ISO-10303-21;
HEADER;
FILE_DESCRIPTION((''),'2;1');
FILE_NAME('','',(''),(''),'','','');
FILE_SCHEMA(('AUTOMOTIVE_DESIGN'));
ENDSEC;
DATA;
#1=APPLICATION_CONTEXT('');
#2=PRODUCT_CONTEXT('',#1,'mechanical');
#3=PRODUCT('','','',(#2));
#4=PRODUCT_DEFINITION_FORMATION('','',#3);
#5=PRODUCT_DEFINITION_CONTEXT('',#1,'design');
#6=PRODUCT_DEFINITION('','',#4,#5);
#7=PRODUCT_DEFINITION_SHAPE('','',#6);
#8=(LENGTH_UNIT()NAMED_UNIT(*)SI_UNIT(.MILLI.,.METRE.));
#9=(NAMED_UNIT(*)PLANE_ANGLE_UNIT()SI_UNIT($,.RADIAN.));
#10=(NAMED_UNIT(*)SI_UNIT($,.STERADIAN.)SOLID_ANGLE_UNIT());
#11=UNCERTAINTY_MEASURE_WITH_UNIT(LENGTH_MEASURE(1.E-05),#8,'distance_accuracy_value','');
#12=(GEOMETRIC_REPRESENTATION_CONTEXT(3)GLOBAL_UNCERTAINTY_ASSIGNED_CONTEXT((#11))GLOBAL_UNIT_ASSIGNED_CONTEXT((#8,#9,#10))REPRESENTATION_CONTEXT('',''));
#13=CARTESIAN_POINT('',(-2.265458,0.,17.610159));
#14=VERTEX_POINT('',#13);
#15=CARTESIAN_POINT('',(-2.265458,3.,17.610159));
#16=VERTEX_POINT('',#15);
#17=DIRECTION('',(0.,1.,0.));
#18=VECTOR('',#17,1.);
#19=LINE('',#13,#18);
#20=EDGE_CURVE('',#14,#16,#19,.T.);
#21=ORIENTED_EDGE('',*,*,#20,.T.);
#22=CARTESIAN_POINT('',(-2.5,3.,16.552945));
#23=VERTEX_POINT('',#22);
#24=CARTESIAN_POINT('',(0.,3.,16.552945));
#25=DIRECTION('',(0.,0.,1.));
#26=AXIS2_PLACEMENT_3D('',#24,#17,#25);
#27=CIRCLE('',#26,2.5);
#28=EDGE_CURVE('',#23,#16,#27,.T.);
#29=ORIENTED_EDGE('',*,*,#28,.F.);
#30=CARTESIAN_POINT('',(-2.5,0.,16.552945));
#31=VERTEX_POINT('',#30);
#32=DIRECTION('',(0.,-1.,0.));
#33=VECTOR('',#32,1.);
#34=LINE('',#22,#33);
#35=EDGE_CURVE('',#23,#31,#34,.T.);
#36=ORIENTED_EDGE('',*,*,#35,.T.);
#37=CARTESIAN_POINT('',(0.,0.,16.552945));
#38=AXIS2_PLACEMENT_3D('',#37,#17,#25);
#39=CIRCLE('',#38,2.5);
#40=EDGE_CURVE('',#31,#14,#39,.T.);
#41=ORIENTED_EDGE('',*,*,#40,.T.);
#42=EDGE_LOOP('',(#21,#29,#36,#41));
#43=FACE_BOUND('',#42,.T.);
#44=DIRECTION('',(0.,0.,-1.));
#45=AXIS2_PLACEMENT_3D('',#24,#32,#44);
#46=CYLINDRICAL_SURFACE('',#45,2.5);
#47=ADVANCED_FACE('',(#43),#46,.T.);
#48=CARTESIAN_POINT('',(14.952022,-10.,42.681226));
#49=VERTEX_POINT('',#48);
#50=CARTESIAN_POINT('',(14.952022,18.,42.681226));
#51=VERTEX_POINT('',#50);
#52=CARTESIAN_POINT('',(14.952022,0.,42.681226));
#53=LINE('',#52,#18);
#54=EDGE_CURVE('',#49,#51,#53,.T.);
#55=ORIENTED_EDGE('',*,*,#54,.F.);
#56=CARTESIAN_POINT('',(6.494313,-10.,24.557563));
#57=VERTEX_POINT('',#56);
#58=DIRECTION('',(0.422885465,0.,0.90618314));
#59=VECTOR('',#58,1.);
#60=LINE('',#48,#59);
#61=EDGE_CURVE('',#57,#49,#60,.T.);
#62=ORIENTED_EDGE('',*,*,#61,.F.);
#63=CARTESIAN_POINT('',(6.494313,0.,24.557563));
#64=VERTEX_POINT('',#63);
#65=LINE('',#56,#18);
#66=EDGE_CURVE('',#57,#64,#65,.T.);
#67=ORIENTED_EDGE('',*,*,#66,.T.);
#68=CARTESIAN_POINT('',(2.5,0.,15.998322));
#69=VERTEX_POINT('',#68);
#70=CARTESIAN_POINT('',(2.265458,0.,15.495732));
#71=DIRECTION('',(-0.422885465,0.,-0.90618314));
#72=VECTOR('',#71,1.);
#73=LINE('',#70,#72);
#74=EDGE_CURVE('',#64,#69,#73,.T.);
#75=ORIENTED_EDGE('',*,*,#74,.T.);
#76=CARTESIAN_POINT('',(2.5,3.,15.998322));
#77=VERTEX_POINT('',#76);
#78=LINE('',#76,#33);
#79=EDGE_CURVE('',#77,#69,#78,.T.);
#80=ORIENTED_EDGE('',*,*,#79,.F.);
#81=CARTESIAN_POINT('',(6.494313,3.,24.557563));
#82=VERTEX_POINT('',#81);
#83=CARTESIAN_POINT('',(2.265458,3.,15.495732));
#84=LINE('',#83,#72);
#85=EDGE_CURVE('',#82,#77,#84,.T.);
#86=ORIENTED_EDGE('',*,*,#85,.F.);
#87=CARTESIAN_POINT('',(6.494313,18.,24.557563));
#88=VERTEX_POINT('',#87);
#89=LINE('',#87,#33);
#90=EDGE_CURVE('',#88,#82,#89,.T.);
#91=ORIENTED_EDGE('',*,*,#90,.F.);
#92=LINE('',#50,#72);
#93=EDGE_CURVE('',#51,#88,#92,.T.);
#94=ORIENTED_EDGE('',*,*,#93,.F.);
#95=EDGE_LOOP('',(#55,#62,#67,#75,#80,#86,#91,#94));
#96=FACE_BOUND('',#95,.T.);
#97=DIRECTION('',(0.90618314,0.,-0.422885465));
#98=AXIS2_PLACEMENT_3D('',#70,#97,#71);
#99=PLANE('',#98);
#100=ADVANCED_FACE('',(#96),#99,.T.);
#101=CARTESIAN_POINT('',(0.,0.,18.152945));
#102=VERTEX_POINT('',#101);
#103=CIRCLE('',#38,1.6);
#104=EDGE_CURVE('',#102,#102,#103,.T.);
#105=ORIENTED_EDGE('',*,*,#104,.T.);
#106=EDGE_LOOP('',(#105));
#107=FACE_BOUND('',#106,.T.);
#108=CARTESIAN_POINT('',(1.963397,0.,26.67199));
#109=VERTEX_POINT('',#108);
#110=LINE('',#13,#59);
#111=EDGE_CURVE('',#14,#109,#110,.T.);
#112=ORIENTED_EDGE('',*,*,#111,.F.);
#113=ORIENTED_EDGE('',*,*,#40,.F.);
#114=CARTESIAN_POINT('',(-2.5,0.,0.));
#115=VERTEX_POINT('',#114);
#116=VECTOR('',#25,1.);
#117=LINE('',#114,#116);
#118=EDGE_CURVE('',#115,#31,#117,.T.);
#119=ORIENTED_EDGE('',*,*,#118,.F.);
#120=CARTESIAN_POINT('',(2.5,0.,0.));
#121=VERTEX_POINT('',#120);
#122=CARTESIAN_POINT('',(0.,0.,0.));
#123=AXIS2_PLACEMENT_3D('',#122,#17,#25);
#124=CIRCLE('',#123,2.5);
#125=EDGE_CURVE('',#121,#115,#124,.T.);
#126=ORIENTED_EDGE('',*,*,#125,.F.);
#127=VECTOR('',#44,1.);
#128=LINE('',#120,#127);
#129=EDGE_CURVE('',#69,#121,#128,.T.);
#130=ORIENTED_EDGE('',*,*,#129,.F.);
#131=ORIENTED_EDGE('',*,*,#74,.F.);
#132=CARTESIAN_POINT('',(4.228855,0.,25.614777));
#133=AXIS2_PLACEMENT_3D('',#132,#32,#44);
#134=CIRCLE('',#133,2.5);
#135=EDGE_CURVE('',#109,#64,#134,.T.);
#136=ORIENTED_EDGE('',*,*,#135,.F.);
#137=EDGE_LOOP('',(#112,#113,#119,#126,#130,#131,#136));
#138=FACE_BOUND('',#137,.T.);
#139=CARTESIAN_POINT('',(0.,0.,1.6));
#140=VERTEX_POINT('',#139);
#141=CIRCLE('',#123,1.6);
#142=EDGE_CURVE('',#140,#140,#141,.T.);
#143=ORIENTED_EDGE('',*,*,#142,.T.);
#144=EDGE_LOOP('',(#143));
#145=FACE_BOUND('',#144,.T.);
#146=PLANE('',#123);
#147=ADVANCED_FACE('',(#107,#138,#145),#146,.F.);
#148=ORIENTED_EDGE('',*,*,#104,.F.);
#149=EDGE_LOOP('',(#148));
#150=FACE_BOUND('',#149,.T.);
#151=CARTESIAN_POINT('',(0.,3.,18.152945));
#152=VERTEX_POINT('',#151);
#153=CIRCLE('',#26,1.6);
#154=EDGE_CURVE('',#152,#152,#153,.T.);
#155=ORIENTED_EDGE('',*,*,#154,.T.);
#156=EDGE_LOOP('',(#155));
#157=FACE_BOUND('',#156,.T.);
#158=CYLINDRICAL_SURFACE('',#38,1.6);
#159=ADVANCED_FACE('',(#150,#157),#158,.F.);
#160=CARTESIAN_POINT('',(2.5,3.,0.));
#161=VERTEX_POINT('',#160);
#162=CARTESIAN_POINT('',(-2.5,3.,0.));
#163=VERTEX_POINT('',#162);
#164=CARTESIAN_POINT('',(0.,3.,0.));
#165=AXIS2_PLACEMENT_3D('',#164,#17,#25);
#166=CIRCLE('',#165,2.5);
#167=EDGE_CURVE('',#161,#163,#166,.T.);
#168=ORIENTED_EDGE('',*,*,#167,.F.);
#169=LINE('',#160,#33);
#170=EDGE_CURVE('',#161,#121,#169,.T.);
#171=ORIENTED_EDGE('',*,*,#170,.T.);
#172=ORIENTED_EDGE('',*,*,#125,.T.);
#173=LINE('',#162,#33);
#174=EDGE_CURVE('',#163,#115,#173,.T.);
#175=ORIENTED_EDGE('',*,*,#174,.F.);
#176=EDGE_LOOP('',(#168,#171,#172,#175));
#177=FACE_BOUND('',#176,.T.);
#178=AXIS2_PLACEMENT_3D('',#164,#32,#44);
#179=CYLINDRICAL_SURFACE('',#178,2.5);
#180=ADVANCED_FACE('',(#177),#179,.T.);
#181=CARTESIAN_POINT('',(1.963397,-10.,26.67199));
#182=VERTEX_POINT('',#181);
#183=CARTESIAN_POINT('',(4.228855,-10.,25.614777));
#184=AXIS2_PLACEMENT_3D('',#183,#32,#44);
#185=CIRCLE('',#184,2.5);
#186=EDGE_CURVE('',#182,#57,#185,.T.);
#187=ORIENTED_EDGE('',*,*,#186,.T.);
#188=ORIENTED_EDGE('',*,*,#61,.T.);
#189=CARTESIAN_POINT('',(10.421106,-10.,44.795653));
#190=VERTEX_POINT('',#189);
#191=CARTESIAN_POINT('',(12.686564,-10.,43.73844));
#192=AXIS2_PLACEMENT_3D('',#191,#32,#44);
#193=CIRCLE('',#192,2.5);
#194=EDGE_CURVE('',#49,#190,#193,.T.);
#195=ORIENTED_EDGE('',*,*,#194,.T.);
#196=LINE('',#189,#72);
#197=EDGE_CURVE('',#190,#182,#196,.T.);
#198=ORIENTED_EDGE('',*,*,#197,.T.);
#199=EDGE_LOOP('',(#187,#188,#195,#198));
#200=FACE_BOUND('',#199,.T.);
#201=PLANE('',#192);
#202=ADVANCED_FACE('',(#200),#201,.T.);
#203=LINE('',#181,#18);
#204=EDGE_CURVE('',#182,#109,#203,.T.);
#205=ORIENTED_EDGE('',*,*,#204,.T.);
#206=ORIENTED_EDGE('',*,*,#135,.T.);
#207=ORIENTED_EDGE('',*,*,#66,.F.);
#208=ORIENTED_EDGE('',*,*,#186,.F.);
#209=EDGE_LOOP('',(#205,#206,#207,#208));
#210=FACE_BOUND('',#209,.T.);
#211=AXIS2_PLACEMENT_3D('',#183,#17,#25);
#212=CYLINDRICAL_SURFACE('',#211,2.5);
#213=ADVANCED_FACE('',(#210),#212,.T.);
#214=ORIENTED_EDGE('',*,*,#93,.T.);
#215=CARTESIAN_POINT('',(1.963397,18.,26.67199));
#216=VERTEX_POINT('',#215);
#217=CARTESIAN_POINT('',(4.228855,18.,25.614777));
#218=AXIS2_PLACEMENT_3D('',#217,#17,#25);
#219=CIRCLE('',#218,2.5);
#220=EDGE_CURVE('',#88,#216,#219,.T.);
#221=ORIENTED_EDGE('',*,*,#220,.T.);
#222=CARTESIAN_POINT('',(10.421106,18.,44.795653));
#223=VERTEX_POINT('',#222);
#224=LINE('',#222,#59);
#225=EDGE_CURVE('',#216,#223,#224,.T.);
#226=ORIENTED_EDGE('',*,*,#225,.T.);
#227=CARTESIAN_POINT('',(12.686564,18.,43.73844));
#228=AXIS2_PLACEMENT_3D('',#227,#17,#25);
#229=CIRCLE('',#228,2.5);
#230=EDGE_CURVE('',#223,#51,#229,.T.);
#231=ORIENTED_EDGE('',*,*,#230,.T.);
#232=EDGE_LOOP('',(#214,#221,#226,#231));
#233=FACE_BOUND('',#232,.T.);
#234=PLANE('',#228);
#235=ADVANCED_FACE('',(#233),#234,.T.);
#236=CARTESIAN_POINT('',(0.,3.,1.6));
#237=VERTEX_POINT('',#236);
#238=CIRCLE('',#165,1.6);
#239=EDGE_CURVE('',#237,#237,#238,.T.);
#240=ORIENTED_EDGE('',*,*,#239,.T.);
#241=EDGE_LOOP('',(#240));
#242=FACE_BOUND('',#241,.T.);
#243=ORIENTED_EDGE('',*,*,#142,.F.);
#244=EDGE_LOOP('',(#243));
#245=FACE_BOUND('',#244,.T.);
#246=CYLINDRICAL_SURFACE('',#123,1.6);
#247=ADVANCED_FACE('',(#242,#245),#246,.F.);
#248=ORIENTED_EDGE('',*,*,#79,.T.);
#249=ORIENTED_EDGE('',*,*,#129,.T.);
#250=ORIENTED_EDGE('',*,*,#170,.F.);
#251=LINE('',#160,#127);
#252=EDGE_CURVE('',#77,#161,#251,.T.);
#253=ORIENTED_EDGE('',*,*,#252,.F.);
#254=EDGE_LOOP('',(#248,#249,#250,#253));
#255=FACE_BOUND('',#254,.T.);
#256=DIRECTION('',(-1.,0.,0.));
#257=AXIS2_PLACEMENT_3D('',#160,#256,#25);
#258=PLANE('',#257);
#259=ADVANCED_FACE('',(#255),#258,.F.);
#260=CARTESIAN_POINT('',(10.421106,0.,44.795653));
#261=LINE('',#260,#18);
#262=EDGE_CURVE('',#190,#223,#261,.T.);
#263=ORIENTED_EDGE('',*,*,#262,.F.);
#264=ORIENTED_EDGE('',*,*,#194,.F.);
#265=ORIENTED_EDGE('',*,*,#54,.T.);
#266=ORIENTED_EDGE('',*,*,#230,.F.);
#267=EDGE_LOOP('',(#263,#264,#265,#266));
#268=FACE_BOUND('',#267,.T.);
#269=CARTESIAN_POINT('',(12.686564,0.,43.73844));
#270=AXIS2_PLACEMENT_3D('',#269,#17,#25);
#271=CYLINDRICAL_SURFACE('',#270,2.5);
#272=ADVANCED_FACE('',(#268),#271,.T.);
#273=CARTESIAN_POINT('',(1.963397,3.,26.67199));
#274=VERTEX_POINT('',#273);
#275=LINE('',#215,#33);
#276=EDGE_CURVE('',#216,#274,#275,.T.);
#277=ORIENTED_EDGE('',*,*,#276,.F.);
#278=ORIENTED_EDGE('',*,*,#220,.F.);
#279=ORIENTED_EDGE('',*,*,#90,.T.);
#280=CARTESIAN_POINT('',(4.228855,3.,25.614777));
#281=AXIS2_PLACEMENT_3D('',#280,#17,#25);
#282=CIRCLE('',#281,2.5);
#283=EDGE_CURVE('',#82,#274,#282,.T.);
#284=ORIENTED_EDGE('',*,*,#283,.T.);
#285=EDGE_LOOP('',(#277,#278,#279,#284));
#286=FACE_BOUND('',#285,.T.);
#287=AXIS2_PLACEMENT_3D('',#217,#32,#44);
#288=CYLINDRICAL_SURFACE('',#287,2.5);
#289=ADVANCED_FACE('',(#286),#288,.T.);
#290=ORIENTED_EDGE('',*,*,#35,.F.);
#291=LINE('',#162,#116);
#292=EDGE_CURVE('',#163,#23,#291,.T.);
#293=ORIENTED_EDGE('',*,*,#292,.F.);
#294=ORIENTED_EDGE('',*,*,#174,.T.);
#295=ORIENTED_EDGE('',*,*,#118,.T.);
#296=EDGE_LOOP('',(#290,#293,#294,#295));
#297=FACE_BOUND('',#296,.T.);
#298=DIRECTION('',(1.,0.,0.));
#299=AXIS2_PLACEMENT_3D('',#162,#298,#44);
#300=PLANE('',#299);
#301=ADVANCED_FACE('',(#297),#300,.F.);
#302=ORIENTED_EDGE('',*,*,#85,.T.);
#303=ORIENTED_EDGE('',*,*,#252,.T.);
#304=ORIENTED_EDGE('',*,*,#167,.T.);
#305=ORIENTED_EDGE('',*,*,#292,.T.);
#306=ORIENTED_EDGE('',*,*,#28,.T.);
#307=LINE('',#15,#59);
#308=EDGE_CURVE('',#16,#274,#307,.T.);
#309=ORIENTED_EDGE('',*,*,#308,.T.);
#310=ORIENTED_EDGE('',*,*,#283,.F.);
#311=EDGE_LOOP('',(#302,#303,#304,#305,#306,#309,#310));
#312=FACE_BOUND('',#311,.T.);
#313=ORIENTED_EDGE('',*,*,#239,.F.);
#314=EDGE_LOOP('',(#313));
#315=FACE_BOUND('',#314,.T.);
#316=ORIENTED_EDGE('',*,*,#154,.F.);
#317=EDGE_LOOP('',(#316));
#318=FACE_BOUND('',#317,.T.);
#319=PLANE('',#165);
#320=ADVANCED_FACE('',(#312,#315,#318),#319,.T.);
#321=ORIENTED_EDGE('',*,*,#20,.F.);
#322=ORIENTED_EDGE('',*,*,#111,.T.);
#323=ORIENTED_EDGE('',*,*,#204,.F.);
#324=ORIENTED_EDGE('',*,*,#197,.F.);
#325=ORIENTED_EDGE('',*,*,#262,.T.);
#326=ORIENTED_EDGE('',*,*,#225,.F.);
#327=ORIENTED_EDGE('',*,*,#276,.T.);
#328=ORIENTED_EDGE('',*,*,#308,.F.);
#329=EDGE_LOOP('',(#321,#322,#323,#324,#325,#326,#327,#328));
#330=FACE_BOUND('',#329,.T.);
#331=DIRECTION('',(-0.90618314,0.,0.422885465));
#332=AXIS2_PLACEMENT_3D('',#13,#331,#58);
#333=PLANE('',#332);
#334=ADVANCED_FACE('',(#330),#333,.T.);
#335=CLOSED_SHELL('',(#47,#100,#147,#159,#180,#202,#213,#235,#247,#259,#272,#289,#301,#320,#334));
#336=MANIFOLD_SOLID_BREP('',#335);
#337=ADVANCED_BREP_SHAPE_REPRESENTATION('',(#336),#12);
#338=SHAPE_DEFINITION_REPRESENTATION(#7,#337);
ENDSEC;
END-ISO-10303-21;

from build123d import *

# Parameters (mm, degrees)
BOSS_EXTRUDE1_DEPTH = 3
BOSS_EXTRUDE2_START = -3
BOSS_EXTRUDE2_DEPTH = 3
SKETCH3_R           = 1.6
CUT_EXTRUDE1_DEPTH  = 49.760896398
BOSS_EXTRUDE3_START = 10
BOSS_EXTRUDE3_DEPTH = 10
BOSS_EXTRUDE4_DEPTH = 15


with BuildPart() as part:
    # Sketch1 → Boss-Extrude1 (new body)
    with BuildSketch(Plane(origin=(0, 0, 0), x_dir=(1, 0, 0), z_dir=(0, 1, 0))):
        with BuildLine():
            Line((2.5, 0), (2.5, -16.552945357))
            ThreePointArc((2.5, -16.552945357), (0, -19.052945357), (-2.5, -16.552945357))
            Line((-2.5, -16.552945357), (-2.5, 0))
            ThreePointArc((-2.5, 0), (0, 2.5), (2.5, 0))
        make_face()
    extrude(amount=BOSS_EXTRUDE1_DEPTH)

    # Sketch2 → Boss-Extrude2 (add)
    with BuildSketch(Plane(origin=(0, 3, 0), x_dir=(1, 0, 0), z_dir=(0, 1, 0)).offset(BOSS_EXTRUDE2_START)):
        with BuildLine():
            Line((2.26545785, -15.495731694), (14.95202181, -42.681225894))
            ThreePointArc((14.95202181, -42.681225894), (13.743777623, -46.003897407), (10.42110611, -44.79565322))
            Line((10.42110611, -44.79565322), (-2.26545785, -17.610159021))
            ThreePointArc((-2.26545785, -17.610159021), (-1.057213663, -14.287487507), (2.26545785, -15.495731694))
        make_face()
    extrude(amount=BOSS_EXTRUDE2_DEPTH)

    # Sketch3 → Cut-Extrude1 (cut, through all)
    with BuildSketch(Plane(origin=(0, 3, 0), x_dir=(1, 0, 0), z_dir=(0, 1, 0))):
        with Locations(Location((0, 0, 0), (0, 0, 270))):
            Circle(SKETCH3_R)
        with Locations(Location((0, -16.552945357, 0), (0, 0, 270))):
            Circle(SKETCH3_R)
    extrude(amount=-CUT_EXTRUDE1_DEPTH, mode=Mode.SUBTRACT)

    # Sketch5 → Boss-Extrude3 (add)
    with BuildSketch(Plane.XZ.offset(BOSS_EXTRUDE3_START)):
        with BuildLine():
            Line((14.95202181, 42.681225894), (6.494312503, 24.557563094))
            ThreePointArc((6.494312503, 24.557563094), (3.171640989, 23.349318908), (1.963396803, 26.671990421))
            Line((1.963396803, 26.671990421), (10.42110611, 44.795653221))
            ThreePointArc((10.42110611, 44.795653221), (13.743777623, 46.003897407), (14.95202181, 42.681225894))
        make_face()
    extrude(amount=-BOSS_EXTRUDE3_DEPTH)

    # Sketch6 → Boss-Extrude4 (add)
    with BuildSketch(Plane(origin=(0, 3, 0), x_dir=(1, 0, 0), z_dir=(0, 1, 0))):
        with BuildLine():
            Line((10.42110611, -44.79565322), (1.963396803, -26.671990421))
            ThreePointArc((1.963396803, -26.671990421), (3.17164099, -23.349318907), (6.494312503, -24.557563094))
            Line((6.494312503, -24.557563094), (14.95202181, -42.681225894))
            ThreePointArc((14.95202181, -42.681225894), (13.743777623, -46.003897407), (10.42110611, -44.79565322))
        make_face()
    extrude(amount=BOSS_EXTRUDE4_DEPTH)


solid = part.part
